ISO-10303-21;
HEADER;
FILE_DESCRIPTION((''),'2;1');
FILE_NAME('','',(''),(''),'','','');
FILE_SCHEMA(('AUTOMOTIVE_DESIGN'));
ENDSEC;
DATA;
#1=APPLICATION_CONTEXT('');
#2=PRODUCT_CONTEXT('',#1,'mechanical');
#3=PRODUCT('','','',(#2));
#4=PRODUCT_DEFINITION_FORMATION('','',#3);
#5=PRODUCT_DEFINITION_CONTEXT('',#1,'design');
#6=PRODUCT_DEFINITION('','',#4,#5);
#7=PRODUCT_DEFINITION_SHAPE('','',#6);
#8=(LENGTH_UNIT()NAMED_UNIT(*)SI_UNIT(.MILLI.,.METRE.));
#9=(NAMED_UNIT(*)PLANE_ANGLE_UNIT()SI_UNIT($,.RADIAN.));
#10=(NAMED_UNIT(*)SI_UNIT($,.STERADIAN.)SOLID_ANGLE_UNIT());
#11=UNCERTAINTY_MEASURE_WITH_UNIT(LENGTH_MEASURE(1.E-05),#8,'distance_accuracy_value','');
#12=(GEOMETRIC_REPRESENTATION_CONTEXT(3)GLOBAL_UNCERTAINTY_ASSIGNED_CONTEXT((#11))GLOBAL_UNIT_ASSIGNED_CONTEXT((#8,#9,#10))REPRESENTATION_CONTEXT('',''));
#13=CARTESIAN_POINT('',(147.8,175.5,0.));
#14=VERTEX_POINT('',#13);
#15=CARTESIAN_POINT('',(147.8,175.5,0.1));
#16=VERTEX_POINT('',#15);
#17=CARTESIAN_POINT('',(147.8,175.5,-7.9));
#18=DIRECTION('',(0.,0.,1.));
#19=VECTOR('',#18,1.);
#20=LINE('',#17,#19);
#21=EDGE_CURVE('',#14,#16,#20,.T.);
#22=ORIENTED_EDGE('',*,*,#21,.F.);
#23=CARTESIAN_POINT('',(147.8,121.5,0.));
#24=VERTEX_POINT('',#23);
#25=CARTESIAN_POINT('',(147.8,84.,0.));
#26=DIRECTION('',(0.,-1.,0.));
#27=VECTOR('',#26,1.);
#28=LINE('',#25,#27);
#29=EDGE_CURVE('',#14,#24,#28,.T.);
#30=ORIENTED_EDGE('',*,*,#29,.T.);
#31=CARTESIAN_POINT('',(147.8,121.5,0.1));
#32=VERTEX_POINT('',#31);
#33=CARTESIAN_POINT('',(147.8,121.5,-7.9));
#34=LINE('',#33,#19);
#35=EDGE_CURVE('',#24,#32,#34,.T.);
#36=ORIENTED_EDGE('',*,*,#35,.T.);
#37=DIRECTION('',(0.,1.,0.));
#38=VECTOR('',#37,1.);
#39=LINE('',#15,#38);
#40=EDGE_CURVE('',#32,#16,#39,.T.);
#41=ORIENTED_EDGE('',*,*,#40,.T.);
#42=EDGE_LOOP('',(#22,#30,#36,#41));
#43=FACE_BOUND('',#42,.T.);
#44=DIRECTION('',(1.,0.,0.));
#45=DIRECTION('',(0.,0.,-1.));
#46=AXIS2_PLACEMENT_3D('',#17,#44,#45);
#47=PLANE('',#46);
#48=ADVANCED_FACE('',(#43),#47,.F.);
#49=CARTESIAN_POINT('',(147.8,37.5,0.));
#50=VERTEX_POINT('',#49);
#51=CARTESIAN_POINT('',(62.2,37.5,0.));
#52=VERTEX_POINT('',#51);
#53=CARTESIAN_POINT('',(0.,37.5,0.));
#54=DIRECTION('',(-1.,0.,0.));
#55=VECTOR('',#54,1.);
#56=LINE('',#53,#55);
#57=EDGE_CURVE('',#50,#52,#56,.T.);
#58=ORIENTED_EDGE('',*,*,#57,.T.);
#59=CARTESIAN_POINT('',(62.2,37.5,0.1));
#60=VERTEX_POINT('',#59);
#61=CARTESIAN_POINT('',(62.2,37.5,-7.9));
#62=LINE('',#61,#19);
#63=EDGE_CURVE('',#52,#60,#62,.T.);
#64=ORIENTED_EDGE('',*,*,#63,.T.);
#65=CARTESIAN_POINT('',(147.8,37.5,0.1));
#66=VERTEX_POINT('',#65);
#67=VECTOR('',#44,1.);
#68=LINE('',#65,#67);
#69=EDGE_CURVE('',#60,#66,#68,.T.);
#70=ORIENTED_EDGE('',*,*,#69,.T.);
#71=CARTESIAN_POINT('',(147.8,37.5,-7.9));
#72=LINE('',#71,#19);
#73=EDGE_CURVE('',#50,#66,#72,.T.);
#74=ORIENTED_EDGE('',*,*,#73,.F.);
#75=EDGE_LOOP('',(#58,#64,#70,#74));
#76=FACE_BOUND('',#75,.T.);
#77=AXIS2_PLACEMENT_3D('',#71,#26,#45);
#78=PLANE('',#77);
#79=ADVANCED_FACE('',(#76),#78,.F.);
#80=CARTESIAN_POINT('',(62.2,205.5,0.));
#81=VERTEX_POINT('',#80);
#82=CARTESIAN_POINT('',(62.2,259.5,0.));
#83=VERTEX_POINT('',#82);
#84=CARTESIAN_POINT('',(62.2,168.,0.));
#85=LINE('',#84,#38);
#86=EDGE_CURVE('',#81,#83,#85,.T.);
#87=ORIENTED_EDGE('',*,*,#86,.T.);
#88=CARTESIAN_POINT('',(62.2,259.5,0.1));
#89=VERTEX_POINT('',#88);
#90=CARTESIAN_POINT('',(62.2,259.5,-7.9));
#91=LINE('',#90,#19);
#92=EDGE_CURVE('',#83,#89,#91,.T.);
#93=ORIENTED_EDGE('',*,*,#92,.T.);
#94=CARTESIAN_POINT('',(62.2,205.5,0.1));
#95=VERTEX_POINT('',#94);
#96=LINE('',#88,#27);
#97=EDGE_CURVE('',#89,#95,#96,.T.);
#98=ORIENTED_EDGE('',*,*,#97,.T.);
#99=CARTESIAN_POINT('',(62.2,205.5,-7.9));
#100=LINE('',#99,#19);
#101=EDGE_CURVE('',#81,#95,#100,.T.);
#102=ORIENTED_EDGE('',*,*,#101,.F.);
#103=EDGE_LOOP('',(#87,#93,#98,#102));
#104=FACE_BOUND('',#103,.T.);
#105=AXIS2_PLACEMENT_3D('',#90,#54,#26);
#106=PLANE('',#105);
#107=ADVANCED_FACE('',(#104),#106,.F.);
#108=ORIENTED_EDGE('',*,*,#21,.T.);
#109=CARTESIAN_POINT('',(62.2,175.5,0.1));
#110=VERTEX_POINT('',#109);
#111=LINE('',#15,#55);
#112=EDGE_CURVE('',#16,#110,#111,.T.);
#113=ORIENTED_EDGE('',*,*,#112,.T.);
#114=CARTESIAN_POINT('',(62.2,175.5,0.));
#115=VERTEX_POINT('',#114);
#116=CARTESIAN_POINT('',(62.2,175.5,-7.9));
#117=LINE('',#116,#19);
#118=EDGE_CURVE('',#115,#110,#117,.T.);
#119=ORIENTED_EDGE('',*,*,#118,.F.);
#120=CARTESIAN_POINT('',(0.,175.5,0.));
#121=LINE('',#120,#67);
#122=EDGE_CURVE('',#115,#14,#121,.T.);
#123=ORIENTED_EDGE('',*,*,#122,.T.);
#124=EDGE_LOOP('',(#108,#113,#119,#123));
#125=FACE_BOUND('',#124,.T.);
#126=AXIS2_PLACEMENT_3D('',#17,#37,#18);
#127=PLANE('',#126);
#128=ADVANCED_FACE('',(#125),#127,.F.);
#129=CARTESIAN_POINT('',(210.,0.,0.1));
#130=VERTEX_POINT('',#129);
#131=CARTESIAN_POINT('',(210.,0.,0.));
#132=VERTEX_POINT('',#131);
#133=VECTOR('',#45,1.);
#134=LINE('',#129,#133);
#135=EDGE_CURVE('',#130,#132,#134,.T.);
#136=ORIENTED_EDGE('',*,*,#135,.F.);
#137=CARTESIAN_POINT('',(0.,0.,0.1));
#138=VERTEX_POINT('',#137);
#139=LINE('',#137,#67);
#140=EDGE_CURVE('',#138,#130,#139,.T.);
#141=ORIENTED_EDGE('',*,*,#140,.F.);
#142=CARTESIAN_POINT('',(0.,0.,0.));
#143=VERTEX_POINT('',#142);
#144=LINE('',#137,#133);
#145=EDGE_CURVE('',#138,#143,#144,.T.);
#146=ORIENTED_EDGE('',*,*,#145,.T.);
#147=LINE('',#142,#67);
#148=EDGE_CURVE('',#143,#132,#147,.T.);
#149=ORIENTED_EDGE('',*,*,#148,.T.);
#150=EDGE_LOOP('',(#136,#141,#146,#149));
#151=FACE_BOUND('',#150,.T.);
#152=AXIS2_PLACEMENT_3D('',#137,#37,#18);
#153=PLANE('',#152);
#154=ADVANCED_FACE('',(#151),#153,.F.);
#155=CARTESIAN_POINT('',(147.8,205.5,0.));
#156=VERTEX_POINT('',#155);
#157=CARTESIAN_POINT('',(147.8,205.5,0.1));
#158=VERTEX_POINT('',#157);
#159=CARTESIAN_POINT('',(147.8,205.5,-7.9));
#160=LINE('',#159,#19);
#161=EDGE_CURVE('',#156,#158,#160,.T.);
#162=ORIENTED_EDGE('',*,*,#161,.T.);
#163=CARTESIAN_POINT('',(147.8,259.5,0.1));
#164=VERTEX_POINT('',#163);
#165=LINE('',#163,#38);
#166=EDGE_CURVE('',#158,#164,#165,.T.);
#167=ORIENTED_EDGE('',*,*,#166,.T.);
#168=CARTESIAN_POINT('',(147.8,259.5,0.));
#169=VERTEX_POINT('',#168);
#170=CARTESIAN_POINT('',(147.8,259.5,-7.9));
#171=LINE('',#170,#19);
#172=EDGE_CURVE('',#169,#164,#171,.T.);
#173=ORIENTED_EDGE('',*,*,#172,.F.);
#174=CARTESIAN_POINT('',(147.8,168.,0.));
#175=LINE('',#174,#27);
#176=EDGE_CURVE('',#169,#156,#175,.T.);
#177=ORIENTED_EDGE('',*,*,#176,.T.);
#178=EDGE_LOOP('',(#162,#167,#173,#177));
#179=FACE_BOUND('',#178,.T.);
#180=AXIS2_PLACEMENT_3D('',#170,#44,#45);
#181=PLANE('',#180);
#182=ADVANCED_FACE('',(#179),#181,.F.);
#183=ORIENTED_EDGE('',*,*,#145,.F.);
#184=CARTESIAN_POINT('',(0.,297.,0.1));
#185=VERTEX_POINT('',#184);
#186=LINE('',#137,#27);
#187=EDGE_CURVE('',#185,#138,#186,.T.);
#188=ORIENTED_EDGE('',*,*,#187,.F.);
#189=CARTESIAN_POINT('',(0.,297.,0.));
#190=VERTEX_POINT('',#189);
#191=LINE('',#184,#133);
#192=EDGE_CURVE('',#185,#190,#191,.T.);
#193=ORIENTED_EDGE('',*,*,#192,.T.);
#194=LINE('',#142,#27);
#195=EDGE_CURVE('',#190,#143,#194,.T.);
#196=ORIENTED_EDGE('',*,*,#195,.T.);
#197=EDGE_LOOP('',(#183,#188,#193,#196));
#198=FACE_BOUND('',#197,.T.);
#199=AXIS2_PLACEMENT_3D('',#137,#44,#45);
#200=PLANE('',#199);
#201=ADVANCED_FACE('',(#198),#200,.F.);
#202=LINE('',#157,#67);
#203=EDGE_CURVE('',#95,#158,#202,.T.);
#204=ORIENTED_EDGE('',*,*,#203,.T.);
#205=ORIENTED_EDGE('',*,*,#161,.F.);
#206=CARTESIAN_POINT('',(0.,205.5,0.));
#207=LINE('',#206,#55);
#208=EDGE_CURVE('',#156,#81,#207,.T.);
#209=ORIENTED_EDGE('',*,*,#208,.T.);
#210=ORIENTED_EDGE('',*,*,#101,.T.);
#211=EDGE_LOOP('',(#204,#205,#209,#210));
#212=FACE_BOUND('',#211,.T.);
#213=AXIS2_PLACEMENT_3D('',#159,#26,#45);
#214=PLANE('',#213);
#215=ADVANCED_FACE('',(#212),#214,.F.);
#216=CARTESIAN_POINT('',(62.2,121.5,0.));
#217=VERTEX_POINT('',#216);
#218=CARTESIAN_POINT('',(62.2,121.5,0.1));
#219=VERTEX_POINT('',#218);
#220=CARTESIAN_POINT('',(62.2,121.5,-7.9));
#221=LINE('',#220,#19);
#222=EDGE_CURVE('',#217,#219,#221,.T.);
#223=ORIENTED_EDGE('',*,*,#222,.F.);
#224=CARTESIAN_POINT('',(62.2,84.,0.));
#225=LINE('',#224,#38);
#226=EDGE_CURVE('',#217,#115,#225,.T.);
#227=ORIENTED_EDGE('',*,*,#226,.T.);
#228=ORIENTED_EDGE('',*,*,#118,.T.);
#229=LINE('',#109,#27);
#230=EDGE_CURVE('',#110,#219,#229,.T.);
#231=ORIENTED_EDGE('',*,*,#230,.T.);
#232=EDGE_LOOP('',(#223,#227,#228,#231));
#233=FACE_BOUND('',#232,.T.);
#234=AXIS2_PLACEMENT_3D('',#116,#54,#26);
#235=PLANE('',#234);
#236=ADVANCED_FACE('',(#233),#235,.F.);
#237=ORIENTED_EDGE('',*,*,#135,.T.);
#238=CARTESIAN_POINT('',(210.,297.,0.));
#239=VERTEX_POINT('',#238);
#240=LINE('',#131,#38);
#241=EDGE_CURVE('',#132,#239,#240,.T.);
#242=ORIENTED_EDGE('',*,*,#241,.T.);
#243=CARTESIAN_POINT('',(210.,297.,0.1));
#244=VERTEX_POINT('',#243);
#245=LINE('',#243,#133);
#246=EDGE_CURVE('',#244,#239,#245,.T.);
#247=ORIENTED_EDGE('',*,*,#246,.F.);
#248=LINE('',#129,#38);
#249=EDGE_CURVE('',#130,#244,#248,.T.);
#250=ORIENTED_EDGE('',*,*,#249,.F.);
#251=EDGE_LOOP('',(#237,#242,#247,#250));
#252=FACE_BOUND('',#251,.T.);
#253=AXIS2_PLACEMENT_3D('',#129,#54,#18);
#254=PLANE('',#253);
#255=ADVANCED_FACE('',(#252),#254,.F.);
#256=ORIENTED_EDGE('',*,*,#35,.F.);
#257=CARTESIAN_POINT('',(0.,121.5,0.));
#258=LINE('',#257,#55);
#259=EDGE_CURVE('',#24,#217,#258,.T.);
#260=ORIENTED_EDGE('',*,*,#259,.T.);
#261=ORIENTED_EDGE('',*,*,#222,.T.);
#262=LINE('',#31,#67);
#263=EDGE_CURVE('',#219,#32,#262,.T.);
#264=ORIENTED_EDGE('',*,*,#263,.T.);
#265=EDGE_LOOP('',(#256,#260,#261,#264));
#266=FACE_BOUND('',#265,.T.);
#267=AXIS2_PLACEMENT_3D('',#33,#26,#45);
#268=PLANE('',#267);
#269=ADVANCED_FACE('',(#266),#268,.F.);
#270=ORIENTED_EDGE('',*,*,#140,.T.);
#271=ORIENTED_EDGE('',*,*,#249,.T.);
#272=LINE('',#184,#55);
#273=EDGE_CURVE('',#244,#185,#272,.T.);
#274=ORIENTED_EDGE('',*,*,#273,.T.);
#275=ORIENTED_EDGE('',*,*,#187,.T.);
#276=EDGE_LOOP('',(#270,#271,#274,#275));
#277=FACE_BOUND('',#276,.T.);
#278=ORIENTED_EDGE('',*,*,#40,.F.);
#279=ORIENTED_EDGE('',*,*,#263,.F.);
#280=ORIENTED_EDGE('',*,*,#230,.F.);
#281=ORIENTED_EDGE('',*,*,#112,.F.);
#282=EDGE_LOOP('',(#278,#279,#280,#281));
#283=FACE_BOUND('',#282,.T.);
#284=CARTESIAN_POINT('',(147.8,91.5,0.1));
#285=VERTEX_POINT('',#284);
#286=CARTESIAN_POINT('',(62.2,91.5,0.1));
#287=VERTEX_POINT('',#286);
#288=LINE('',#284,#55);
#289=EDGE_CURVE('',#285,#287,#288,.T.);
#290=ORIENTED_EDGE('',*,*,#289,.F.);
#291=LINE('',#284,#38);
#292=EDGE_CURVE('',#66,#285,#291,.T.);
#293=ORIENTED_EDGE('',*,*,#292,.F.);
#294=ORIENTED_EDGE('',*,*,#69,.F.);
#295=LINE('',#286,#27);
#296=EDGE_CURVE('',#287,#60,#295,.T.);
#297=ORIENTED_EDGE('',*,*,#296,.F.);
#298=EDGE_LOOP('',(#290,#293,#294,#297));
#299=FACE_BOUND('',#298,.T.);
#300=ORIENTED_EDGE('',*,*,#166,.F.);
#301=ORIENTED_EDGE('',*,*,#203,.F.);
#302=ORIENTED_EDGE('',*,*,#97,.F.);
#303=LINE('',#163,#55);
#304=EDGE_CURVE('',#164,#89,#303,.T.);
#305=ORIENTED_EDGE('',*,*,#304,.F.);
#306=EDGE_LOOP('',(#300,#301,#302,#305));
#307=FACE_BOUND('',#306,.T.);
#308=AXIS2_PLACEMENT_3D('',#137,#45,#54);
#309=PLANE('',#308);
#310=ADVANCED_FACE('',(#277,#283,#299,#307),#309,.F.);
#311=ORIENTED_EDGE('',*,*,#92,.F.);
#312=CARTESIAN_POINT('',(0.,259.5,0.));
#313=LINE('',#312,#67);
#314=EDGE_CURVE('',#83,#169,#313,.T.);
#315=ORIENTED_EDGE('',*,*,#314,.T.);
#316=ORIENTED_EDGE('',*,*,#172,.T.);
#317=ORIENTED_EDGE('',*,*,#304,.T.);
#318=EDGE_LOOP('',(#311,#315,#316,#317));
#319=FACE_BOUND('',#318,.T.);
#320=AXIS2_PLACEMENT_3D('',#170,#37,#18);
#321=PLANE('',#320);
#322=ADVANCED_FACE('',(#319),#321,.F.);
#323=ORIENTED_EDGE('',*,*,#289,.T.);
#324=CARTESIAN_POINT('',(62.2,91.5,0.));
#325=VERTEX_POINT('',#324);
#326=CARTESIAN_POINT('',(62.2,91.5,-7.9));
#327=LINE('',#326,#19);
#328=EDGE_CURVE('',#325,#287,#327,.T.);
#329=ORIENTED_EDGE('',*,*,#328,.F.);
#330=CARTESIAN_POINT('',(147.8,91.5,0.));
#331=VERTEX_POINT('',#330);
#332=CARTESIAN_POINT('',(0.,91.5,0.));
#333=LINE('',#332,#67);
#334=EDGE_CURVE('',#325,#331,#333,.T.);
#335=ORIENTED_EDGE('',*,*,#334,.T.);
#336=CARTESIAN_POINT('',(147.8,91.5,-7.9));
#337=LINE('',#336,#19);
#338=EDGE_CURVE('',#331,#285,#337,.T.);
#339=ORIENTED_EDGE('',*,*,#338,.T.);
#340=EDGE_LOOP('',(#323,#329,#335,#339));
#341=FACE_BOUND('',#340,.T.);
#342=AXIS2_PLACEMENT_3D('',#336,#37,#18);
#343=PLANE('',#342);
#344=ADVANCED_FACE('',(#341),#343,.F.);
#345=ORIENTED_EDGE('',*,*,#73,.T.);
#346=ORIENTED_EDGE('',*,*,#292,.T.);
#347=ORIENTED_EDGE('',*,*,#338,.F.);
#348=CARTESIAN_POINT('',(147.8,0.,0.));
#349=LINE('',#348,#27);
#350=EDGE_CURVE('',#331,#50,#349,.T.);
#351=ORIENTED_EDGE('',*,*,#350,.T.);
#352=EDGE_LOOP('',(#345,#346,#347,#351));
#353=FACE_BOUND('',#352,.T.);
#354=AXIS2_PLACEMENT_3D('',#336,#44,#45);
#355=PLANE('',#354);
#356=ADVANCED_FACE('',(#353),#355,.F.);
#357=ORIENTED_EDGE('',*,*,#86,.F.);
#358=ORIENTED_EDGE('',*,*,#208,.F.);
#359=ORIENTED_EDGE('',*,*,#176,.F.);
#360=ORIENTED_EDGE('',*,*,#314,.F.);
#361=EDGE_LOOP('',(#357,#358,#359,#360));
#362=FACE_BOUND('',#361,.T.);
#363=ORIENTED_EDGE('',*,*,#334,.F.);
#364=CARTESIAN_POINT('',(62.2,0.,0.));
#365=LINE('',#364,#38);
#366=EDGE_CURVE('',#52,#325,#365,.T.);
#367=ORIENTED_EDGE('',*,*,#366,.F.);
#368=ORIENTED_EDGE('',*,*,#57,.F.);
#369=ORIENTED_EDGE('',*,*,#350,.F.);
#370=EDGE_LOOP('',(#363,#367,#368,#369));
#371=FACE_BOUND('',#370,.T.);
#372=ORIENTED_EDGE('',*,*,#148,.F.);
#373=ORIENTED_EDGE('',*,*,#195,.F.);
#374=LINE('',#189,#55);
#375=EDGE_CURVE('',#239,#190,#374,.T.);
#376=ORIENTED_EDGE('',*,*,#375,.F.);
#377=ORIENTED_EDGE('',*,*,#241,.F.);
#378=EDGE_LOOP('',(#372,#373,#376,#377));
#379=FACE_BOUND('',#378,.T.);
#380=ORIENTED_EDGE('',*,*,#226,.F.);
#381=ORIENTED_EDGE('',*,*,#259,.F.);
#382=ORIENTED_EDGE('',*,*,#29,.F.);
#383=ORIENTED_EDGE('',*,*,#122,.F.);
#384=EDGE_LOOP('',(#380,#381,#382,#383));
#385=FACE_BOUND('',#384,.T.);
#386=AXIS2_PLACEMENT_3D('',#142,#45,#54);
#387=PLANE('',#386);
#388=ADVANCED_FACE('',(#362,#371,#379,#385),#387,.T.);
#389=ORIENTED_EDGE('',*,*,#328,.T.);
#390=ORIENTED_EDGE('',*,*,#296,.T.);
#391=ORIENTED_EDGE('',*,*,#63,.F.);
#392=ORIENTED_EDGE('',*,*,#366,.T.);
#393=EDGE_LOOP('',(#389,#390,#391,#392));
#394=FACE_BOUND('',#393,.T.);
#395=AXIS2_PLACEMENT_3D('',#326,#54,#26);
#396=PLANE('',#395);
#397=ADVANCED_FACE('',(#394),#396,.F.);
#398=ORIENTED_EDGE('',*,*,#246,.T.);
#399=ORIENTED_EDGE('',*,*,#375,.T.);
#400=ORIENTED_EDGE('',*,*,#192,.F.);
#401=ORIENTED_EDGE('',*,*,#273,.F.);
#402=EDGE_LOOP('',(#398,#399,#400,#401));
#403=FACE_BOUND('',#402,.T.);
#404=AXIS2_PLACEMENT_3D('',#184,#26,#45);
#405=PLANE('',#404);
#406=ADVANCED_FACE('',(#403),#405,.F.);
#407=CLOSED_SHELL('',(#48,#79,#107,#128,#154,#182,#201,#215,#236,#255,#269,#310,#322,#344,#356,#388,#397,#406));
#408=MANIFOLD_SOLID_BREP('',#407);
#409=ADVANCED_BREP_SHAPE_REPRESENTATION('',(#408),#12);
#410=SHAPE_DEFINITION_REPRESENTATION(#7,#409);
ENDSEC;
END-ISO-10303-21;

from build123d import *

# Parameters (mm, degrees)
SKETCH_1_W             = 210
SKETCH_1_H             = 297
EXTRUDE_1_DEPTH        = 0.1
SKETCH_2_W             = 85.6
SKETCH_2_H             = 54
CUT_EXTRUDE_1_DEPTH    = 8
PATTERN_LINEAR_1_COUNT = 3
PATTERN_LINEAR_1_PITCH = 84


with BuildPart() as part:
    # 草图1 → 凸台-拉伸1 (new body)
    with BuildSketch(Plane.XY):
        with Locations((105, 148.5)):
            Rectangle(SKETCH_1_W, SKETCH_1_H)
    extrude(amount=EXTRUDE_1_DEPTH)

    # 草图2 → 切除-拉伸1 (cut)
    with BuildSketch(Plane.XY.offset(0.1)):
        with Locations((105, 64.5)):
            Rectangle(SKETCH_2_W, SKETCH_2_H)
    cut_extrude_1 = extrude(amount=-CUT_EXTRUDE_1_DEPTH, mode=Mode.SUBTRACT)

    # 阵列(线性)1: 切除-拉伸1 ×3
    with Locations(*[(0, i * PATTERN_LINEAR_1_PITCH, 0) for i in range(1, PATTERN_LINEAR_1_COUNT)]):
        add(cut_extrude_1, mode=Mode.SUBTRACT)


solid = part.part
